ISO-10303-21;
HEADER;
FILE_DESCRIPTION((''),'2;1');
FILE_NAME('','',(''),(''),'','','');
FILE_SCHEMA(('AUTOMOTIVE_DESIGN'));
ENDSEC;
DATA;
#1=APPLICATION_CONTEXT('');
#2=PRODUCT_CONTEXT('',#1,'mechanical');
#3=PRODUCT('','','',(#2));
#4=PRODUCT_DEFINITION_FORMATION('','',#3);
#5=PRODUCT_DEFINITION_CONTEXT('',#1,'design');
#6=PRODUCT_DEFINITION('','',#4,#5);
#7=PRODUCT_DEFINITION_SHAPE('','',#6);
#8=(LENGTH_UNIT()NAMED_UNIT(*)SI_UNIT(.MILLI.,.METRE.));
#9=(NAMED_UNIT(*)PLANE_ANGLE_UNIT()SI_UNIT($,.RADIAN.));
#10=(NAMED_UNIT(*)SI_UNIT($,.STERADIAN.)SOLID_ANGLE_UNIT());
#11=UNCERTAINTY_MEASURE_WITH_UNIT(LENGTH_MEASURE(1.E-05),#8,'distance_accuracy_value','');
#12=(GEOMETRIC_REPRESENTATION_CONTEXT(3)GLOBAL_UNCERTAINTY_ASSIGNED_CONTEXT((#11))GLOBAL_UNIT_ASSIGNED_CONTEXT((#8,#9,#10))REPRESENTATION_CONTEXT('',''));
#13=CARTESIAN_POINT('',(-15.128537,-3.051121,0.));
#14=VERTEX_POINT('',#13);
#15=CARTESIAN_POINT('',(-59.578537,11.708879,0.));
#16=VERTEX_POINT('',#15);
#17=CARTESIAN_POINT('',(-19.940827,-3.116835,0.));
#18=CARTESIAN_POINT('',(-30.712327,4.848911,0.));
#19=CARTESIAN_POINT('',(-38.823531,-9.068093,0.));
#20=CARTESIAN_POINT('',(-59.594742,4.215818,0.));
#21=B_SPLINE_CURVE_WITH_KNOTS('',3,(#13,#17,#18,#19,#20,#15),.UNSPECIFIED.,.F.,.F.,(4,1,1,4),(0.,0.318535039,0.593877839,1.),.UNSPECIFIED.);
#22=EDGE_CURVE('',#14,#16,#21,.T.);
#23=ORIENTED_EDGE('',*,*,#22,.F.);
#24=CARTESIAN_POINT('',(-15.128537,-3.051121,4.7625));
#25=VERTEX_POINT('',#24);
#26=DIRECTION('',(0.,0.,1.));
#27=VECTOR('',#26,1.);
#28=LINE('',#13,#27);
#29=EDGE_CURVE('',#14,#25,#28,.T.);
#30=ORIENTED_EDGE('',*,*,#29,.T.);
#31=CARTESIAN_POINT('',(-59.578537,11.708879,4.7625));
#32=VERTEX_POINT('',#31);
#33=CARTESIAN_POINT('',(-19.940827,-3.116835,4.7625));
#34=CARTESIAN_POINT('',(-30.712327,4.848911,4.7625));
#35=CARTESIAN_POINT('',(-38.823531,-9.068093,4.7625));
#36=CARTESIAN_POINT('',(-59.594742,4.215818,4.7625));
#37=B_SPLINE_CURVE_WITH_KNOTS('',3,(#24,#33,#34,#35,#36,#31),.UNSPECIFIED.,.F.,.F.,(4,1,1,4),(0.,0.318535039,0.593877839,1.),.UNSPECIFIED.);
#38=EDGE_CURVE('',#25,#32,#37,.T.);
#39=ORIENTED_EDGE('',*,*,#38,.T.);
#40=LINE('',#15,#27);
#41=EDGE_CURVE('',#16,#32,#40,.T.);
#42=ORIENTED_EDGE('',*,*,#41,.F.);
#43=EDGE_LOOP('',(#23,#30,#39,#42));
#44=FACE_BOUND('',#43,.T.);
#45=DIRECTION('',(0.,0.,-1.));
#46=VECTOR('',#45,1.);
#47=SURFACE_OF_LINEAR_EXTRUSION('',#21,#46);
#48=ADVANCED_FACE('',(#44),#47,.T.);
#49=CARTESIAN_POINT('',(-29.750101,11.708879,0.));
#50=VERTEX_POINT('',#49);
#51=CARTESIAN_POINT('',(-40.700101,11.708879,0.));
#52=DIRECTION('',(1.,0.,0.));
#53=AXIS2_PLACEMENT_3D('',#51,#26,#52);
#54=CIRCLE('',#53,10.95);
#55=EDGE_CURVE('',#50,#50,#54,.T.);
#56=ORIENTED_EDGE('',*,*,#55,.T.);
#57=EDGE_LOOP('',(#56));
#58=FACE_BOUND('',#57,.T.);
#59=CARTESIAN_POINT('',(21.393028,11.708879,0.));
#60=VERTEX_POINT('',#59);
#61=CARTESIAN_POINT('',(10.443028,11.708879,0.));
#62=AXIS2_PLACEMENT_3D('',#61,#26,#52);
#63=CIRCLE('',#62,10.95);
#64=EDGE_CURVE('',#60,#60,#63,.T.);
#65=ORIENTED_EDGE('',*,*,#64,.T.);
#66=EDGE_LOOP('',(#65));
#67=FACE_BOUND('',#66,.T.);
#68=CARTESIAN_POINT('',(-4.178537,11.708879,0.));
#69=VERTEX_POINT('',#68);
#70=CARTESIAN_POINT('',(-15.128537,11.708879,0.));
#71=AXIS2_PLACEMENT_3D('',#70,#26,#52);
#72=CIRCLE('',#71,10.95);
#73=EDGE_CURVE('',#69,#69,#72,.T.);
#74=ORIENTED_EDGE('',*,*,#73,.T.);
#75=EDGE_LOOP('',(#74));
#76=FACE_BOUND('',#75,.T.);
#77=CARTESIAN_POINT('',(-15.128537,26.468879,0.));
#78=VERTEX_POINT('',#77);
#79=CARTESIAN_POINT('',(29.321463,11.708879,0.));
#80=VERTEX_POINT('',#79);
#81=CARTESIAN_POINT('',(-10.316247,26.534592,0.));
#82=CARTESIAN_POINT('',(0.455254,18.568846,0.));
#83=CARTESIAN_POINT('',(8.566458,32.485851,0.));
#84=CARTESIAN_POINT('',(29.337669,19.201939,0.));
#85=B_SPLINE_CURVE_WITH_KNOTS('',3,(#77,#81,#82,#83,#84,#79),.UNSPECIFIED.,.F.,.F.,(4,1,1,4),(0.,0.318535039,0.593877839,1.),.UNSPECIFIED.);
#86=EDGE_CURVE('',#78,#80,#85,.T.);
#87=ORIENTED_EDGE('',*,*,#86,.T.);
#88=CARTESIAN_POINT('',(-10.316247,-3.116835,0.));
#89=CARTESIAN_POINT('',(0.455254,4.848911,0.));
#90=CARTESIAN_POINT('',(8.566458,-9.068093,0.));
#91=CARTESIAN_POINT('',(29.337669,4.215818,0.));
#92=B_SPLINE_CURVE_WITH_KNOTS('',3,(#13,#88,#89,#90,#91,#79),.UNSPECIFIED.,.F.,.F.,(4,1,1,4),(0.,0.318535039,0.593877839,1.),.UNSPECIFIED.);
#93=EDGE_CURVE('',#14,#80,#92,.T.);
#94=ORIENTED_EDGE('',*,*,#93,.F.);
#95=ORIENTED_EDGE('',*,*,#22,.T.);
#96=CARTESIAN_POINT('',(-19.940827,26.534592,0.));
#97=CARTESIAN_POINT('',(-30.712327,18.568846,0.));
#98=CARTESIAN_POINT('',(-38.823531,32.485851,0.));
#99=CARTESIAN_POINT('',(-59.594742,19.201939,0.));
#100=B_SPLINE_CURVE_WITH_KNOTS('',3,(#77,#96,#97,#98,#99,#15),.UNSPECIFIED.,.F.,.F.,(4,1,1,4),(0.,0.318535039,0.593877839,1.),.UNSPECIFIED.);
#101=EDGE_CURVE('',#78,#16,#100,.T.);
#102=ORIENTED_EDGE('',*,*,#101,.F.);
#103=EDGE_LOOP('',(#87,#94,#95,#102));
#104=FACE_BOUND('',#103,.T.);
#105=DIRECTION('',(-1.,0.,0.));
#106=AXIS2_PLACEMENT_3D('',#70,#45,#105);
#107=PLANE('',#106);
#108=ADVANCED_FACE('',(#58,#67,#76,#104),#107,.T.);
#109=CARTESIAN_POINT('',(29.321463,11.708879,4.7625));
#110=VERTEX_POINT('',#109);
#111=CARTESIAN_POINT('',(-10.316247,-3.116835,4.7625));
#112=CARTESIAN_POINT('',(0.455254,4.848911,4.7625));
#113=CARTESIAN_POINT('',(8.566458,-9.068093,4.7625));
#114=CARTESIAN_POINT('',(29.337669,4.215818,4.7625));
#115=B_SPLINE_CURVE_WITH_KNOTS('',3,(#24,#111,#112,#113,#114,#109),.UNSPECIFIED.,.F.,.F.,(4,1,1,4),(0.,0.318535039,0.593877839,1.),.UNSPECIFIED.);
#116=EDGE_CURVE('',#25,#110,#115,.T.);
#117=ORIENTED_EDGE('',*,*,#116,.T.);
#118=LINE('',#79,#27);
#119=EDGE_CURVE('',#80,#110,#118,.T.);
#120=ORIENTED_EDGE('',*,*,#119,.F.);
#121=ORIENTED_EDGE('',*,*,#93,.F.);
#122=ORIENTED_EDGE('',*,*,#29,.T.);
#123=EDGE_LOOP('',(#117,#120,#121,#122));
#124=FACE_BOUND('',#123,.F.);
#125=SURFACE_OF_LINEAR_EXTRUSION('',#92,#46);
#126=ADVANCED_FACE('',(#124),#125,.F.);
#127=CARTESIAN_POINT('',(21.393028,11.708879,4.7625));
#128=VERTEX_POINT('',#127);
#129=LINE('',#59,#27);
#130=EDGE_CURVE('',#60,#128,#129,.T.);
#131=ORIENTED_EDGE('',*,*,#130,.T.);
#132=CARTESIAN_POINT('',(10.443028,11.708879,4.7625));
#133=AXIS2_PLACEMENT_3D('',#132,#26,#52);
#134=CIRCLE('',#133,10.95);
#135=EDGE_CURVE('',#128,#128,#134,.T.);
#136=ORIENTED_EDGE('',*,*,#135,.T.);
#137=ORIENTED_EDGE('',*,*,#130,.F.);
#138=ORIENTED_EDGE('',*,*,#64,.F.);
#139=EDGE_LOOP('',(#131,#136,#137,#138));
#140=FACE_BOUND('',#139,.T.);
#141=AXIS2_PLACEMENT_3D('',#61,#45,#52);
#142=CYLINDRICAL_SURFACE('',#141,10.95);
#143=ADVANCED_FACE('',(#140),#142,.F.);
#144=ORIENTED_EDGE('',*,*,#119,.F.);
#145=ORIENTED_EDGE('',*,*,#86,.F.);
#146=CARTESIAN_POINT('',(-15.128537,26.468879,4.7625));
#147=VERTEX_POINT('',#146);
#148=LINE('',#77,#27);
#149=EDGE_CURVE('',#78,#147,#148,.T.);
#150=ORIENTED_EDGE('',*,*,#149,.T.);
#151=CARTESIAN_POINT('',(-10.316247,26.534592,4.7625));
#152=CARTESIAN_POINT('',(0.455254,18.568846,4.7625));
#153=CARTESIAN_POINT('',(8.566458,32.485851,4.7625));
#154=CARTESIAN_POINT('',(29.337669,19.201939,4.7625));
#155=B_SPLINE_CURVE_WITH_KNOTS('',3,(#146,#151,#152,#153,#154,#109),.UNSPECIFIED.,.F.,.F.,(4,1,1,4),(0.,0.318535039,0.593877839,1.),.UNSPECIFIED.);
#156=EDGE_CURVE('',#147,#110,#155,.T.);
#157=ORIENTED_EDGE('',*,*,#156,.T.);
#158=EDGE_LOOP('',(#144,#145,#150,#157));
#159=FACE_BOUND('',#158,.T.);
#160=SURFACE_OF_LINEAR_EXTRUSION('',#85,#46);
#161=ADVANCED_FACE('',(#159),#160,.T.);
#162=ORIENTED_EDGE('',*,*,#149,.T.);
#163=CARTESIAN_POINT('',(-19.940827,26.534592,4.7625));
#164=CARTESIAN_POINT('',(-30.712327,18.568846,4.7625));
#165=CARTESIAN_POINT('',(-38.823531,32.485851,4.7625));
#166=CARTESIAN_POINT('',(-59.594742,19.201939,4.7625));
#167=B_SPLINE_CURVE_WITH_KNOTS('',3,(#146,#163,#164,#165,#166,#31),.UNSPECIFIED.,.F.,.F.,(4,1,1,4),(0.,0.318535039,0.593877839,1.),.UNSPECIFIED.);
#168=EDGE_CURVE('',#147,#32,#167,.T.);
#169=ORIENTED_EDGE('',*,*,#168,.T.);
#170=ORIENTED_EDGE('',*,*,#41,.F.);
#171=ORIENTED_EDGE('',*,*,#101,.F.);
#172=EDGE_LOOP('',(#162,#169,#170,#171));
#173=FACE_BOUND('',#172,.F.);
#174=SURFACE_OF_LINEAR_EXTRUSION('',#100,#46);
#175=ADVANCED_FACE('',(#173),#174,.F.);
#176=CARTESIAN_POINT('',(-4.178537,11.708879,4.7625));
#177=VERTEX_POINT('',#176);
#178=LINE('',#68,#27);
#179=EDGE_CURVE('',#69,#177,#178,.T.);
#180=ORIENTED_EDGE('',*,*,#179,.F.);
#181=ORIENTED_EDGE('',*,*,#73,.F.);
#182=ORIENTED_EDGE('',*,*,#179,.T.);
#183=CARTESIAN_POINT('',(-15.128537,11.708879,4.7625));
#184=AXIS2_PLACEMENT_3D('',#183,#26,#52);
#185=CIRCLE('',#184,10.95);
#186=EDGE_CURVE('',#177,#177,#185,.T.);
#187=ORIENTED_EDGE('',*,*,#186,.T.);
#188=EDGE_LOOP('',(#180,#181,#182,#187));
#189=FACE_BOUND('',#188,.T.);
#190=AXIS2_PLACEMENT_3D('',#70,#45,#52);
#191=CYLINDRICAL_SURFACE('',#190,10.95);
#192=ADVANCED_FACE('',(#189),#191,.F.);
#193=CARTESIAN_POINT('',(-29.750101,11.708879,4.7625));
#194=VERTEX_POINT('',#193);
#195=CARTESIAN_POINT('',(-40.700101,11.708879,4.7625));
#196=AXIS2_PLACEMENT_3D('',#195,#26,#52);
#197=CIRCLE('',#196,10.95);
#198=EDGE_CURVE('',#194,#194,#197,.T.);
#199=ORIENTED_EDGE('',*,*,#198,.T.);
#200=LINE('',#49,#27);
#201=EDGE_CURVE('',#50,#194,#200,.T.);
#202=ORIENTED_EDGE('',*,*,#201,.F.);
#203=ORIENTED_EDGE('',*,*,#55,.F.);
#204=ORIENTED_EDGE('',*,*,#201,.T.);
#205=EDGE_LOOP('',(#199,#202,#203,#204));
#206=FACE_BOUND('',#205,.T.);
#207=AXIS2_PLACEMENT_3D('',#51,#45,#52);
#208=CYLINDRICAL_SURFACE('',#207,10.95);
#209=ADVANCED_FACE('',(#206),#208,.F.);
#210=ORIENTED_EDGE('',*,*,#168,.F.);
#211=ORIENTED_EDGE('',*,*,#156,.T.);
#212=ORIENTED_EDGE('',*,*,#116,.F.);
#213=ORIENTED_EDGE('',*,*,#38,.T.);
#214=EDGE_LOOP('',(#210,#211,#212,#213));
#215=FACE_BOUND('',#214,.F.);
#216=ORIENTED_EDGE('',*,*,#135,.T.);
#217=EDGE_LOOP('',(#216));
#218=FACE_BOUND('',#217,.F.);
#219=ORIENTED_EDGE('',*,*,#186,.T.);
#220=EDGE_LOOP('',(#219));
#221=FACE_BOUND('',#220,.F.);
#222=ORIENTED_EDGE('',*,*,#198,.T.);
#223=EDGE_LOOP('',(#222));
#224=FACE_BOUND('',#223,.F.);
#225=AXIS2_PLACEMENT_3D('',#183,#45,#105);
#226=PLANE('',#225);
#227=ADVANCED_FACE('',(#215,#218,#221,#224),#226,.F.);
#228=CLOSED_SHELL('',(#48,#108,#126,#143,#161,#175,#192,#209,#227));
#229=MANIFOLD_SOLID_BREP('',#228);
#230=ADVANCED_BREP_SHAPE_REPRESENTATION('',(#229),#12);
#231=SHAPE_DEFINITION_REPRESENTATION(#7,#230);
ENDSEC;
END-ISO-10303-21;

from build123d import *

# Parameters (mm, degrees)
F0_R     = 10.95
F1_DEPTH = 4.7625


with BuildPart() as f1:
    # F0 (on Top) → F1 (new body)
    with BuildSketch(Plane.XY):
        with BuildLine():
            add(Edge.make_bspline(
                [(-15.1285366372, 26.4688785569), (-10.3162465445, 26.5345924993), (0.4552537202, 18.5688464564), (8.5664581075, 32.4858505018), (29.3376688198, 19.2019392716), (29.3214633628, 11.7088785569)],
                knots=[0, 0, 0, 0, 0.3185350392, 0.5938778395, 1, 1, 1, 1], degree=3))
            add(Edge.make_bspline(
                [(-15.1285366372, 26.4688785569), (-19.94082673, 26.5345924993), (-30.7123269946, 18.5688464564), (-38.823531382, 32.4858505018), (-59.5947420943, 19.2019392716), (-59.5785366372, 11.7088785569)],
                knots=[0, 0, 0, 0, 0.3185350392, 0.5938778395, 1, 1, 1, 1], degree=3))
            add(Edge.make_bspline(
                [(-15.1285366372, -3.0511214431), (-19.94082673, -3.1168353855), (-30.7123269946, 4.8489106573), (-38.823531382, -9.0680933881), (-59.5947420943, 4.2158178421), (-59.5785366372, 11.7088785569)],
                knots=[0, 0, 0, 0, 0.3185350392, 0.5938778395, 1, 1, 1, 1], degree=3))
            add(Edge.make_bspline(
                [(-15.1285366372, -3.0511214431), (-10.3162465445, -3.1168353855), (0.4552537202, 4.8489106573), (8.5664581075, -9.0680933881), (29.3376688198, 4.2158178421), (29.3214633628, 11.7088785569)],
                knots=[0, 0, 0, 0, 0.3185350392, 0.5938778395, 1, 1, 1, 1], degree=3))
        make_face()
        with Locations((-40.7001013013, 11.7088785569)):
            Circle(F0_R, mode=Mode.SUBTRACT)
        with Locations((-15.1285366372, 11.7088785569)):
            Circle(F0_R, mode=Mode.SUBTRACT)
        with Locations((10.4430280269, 11.7088785569)):
            Circle(F0_R, mode=Mode.SUBTRACT)
    extrude(amount=F1_DEPTH)


solid = f1.part
